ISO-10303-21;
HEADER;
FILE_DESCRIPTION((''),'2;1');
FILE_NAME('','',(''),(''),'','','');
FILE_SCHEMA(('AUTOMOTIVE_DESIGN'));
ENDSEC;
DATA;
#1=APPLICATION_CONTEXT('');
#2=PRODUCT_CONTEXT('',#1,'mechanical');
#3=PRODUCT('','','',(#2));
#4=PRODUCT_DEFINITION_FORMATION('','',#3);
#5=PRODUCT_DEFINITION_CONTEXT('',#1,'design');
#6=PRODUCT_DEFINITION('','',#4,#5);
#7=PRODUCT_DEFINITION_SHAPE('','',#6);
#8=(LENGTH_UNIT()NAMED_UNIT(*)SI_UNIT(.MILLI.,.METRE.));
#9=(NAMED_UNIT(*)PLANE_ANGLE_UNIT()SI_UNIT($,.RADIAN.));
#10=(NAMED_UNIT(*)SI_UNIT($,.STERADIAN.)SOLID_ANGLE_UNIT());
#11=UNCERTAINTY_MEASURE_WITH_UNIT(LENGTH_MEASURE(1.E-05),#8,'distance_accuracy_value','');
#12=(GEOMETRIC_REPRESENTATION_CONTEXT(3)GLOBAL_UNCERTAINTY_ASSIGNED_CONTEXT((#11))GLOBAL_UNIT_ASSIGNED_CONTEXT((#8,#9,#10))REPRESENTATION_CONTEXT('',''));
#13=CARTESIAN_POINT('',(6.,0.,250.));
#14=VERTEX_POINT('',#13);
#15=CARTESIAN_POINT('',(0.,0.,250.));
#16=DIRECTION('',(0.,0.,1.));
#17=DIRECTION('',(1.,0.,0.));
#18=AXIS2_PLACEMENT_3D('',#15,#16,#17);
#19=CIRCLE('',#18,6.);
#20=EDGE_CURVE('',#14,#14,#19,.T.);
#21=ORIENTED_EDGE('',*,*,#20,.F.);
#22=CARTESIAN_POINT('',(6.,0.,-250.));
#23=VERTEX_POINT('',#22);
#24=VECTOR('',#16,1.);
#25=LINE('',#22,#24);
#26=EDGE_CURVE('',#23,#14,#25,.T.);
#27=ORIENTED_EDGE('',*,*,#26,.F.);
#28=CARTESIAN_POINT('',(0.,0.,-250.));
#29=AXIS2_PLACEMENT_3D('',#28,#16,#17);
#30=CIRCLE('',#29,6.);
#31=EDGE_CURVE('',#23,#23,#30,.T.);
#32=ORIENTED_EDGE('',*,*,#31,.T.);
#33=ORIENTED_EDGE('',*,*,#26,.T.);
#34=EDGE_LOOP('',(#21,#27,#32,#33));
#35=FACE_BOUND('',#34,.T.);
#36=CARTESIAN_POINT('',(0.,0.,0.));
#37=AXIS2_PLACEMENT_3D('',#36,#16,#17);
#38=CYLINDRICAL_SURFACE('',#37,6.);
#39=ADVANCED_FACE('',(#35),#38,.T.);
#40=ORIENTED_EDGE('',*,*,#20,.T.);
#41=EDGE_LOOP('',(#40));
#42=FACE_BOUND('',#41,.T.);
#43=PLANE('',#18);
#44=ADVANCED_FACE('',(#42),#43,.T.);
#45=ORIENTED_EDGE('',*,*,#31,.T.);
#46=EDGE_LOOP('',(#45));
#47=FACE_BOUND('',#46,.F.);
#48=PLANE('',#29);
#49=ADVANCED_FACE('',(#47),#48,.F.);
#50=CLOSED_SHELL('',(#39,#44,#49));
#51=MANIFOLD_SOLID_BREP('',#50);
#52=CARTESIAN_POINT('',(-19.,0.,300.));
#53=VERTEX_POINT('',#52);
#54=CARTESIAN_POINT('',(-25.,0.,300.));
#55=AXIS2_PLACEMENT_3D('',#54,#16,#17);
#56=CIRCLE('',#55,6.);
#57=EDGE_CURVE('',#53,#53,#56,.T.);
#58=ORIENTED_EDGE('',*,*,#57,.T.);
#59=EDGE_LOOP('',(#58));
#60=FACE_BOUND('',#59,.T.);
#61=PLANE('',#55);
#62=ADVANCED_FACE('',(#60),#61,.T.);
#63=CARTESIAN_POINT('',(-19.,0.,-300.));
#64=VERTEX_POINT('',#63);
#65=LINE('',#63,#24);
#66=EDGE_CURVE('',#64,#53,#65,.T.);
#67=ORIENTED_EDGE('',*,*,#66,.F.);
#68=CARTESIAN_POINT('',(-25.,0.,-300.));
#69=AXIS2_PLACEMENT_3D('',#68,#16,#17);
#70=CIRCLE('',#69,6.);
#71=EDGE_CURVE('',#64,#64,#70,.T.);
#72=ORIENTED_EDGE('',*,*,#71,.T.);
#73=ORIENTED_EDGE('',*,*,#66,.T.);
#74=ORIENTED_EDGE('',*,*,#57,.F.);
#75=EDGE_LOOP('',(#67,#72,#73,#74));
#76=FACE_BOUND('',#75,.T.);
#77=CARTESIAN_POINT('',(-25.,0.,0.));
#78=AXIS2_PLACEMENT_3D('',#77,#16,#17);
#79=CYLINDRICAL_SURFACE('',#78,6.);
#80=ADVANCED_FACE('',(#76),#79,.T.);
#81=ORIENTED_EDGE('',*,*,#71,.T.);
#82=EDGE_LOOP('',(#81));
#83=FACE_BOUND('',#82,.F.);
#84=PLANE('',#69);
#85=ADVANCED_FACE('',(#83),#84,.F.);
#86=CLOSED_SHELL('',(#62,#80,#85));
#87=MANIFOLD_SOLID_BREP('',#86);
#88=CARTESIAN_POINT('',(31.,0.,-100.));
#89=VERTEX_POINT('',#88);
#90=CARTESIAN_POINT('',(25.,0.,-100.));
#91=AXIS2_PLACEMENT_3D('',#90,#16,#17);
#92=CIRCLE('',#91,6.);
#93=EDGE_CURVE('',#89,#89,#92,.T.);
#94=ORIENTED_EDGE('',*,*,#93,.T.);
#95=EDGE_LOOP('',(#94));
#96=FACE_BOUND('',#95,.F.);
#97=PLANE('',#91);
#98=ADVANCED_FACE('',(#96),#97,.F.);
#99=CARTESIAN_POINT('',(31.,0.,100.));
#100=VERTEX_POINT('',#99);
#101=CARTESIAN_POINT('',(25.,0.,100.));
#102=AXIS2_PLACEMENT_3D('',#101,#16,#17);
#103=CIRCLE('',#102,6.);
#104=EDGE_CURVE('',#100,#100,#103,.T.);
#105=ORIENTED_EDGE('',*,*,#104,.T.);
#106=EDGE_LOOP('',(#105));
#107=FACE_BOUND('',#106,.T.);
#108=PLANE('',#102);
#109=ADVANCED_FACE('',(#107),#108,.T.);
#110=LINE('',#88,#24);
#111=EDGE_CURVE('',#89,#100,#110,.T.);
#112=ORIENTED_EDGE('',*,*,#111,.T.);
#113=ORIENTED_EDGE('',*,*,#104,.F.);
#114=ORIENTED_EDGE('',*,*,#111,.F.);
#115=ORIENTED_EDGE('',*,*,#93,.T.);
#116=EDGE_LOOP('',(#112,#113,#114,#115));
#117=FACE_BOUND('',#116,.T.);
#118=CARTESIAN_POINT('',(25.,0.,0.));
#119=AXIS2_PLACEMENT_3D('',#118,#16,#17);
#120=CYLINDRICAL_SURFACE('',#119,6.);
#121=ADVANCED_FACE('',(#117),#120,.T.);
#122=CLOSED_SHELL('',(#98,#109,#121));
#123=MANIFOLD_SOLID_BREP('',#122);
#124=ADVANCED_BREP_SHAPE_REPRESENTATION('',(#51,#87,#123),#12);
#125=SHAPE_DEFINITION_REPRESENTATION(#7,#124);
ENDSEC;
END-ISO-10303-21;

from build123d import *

# Parameters (mm, degrees)
F3_R     = 6
F4_DEPTH = 300
F5_DEPTH = 250
F6_DEPTH = 100


with BuildPart() as f4:
    # F3 (on Top) → F4 (new body, symmetric)
    with BuildSketch(Plane.XY):
        with Locations((-25, 0)):
            Circle(F3_R)
    extrude(amount=F4_DEPTH, both=True)


with BuildPart() as f5:
    # F3 (on Top) → F5 (new body, symmetric)
    with BuildSketch(Plane.XY):
        Circle(F3_R)
    extrude(amount=F5_DEPTH, both=True)


with BuildPart() as f6:
    # F3 (on Top) → F6 (new body, symmetric)
    with BuildSketch(Plane.XY):
        with Locations((25, 0)):
            Circle(F3_R)
    extrude(amount=F6_DEPTH, both=True)


solid = Compound([f4.part, f5.part, f6.part])
